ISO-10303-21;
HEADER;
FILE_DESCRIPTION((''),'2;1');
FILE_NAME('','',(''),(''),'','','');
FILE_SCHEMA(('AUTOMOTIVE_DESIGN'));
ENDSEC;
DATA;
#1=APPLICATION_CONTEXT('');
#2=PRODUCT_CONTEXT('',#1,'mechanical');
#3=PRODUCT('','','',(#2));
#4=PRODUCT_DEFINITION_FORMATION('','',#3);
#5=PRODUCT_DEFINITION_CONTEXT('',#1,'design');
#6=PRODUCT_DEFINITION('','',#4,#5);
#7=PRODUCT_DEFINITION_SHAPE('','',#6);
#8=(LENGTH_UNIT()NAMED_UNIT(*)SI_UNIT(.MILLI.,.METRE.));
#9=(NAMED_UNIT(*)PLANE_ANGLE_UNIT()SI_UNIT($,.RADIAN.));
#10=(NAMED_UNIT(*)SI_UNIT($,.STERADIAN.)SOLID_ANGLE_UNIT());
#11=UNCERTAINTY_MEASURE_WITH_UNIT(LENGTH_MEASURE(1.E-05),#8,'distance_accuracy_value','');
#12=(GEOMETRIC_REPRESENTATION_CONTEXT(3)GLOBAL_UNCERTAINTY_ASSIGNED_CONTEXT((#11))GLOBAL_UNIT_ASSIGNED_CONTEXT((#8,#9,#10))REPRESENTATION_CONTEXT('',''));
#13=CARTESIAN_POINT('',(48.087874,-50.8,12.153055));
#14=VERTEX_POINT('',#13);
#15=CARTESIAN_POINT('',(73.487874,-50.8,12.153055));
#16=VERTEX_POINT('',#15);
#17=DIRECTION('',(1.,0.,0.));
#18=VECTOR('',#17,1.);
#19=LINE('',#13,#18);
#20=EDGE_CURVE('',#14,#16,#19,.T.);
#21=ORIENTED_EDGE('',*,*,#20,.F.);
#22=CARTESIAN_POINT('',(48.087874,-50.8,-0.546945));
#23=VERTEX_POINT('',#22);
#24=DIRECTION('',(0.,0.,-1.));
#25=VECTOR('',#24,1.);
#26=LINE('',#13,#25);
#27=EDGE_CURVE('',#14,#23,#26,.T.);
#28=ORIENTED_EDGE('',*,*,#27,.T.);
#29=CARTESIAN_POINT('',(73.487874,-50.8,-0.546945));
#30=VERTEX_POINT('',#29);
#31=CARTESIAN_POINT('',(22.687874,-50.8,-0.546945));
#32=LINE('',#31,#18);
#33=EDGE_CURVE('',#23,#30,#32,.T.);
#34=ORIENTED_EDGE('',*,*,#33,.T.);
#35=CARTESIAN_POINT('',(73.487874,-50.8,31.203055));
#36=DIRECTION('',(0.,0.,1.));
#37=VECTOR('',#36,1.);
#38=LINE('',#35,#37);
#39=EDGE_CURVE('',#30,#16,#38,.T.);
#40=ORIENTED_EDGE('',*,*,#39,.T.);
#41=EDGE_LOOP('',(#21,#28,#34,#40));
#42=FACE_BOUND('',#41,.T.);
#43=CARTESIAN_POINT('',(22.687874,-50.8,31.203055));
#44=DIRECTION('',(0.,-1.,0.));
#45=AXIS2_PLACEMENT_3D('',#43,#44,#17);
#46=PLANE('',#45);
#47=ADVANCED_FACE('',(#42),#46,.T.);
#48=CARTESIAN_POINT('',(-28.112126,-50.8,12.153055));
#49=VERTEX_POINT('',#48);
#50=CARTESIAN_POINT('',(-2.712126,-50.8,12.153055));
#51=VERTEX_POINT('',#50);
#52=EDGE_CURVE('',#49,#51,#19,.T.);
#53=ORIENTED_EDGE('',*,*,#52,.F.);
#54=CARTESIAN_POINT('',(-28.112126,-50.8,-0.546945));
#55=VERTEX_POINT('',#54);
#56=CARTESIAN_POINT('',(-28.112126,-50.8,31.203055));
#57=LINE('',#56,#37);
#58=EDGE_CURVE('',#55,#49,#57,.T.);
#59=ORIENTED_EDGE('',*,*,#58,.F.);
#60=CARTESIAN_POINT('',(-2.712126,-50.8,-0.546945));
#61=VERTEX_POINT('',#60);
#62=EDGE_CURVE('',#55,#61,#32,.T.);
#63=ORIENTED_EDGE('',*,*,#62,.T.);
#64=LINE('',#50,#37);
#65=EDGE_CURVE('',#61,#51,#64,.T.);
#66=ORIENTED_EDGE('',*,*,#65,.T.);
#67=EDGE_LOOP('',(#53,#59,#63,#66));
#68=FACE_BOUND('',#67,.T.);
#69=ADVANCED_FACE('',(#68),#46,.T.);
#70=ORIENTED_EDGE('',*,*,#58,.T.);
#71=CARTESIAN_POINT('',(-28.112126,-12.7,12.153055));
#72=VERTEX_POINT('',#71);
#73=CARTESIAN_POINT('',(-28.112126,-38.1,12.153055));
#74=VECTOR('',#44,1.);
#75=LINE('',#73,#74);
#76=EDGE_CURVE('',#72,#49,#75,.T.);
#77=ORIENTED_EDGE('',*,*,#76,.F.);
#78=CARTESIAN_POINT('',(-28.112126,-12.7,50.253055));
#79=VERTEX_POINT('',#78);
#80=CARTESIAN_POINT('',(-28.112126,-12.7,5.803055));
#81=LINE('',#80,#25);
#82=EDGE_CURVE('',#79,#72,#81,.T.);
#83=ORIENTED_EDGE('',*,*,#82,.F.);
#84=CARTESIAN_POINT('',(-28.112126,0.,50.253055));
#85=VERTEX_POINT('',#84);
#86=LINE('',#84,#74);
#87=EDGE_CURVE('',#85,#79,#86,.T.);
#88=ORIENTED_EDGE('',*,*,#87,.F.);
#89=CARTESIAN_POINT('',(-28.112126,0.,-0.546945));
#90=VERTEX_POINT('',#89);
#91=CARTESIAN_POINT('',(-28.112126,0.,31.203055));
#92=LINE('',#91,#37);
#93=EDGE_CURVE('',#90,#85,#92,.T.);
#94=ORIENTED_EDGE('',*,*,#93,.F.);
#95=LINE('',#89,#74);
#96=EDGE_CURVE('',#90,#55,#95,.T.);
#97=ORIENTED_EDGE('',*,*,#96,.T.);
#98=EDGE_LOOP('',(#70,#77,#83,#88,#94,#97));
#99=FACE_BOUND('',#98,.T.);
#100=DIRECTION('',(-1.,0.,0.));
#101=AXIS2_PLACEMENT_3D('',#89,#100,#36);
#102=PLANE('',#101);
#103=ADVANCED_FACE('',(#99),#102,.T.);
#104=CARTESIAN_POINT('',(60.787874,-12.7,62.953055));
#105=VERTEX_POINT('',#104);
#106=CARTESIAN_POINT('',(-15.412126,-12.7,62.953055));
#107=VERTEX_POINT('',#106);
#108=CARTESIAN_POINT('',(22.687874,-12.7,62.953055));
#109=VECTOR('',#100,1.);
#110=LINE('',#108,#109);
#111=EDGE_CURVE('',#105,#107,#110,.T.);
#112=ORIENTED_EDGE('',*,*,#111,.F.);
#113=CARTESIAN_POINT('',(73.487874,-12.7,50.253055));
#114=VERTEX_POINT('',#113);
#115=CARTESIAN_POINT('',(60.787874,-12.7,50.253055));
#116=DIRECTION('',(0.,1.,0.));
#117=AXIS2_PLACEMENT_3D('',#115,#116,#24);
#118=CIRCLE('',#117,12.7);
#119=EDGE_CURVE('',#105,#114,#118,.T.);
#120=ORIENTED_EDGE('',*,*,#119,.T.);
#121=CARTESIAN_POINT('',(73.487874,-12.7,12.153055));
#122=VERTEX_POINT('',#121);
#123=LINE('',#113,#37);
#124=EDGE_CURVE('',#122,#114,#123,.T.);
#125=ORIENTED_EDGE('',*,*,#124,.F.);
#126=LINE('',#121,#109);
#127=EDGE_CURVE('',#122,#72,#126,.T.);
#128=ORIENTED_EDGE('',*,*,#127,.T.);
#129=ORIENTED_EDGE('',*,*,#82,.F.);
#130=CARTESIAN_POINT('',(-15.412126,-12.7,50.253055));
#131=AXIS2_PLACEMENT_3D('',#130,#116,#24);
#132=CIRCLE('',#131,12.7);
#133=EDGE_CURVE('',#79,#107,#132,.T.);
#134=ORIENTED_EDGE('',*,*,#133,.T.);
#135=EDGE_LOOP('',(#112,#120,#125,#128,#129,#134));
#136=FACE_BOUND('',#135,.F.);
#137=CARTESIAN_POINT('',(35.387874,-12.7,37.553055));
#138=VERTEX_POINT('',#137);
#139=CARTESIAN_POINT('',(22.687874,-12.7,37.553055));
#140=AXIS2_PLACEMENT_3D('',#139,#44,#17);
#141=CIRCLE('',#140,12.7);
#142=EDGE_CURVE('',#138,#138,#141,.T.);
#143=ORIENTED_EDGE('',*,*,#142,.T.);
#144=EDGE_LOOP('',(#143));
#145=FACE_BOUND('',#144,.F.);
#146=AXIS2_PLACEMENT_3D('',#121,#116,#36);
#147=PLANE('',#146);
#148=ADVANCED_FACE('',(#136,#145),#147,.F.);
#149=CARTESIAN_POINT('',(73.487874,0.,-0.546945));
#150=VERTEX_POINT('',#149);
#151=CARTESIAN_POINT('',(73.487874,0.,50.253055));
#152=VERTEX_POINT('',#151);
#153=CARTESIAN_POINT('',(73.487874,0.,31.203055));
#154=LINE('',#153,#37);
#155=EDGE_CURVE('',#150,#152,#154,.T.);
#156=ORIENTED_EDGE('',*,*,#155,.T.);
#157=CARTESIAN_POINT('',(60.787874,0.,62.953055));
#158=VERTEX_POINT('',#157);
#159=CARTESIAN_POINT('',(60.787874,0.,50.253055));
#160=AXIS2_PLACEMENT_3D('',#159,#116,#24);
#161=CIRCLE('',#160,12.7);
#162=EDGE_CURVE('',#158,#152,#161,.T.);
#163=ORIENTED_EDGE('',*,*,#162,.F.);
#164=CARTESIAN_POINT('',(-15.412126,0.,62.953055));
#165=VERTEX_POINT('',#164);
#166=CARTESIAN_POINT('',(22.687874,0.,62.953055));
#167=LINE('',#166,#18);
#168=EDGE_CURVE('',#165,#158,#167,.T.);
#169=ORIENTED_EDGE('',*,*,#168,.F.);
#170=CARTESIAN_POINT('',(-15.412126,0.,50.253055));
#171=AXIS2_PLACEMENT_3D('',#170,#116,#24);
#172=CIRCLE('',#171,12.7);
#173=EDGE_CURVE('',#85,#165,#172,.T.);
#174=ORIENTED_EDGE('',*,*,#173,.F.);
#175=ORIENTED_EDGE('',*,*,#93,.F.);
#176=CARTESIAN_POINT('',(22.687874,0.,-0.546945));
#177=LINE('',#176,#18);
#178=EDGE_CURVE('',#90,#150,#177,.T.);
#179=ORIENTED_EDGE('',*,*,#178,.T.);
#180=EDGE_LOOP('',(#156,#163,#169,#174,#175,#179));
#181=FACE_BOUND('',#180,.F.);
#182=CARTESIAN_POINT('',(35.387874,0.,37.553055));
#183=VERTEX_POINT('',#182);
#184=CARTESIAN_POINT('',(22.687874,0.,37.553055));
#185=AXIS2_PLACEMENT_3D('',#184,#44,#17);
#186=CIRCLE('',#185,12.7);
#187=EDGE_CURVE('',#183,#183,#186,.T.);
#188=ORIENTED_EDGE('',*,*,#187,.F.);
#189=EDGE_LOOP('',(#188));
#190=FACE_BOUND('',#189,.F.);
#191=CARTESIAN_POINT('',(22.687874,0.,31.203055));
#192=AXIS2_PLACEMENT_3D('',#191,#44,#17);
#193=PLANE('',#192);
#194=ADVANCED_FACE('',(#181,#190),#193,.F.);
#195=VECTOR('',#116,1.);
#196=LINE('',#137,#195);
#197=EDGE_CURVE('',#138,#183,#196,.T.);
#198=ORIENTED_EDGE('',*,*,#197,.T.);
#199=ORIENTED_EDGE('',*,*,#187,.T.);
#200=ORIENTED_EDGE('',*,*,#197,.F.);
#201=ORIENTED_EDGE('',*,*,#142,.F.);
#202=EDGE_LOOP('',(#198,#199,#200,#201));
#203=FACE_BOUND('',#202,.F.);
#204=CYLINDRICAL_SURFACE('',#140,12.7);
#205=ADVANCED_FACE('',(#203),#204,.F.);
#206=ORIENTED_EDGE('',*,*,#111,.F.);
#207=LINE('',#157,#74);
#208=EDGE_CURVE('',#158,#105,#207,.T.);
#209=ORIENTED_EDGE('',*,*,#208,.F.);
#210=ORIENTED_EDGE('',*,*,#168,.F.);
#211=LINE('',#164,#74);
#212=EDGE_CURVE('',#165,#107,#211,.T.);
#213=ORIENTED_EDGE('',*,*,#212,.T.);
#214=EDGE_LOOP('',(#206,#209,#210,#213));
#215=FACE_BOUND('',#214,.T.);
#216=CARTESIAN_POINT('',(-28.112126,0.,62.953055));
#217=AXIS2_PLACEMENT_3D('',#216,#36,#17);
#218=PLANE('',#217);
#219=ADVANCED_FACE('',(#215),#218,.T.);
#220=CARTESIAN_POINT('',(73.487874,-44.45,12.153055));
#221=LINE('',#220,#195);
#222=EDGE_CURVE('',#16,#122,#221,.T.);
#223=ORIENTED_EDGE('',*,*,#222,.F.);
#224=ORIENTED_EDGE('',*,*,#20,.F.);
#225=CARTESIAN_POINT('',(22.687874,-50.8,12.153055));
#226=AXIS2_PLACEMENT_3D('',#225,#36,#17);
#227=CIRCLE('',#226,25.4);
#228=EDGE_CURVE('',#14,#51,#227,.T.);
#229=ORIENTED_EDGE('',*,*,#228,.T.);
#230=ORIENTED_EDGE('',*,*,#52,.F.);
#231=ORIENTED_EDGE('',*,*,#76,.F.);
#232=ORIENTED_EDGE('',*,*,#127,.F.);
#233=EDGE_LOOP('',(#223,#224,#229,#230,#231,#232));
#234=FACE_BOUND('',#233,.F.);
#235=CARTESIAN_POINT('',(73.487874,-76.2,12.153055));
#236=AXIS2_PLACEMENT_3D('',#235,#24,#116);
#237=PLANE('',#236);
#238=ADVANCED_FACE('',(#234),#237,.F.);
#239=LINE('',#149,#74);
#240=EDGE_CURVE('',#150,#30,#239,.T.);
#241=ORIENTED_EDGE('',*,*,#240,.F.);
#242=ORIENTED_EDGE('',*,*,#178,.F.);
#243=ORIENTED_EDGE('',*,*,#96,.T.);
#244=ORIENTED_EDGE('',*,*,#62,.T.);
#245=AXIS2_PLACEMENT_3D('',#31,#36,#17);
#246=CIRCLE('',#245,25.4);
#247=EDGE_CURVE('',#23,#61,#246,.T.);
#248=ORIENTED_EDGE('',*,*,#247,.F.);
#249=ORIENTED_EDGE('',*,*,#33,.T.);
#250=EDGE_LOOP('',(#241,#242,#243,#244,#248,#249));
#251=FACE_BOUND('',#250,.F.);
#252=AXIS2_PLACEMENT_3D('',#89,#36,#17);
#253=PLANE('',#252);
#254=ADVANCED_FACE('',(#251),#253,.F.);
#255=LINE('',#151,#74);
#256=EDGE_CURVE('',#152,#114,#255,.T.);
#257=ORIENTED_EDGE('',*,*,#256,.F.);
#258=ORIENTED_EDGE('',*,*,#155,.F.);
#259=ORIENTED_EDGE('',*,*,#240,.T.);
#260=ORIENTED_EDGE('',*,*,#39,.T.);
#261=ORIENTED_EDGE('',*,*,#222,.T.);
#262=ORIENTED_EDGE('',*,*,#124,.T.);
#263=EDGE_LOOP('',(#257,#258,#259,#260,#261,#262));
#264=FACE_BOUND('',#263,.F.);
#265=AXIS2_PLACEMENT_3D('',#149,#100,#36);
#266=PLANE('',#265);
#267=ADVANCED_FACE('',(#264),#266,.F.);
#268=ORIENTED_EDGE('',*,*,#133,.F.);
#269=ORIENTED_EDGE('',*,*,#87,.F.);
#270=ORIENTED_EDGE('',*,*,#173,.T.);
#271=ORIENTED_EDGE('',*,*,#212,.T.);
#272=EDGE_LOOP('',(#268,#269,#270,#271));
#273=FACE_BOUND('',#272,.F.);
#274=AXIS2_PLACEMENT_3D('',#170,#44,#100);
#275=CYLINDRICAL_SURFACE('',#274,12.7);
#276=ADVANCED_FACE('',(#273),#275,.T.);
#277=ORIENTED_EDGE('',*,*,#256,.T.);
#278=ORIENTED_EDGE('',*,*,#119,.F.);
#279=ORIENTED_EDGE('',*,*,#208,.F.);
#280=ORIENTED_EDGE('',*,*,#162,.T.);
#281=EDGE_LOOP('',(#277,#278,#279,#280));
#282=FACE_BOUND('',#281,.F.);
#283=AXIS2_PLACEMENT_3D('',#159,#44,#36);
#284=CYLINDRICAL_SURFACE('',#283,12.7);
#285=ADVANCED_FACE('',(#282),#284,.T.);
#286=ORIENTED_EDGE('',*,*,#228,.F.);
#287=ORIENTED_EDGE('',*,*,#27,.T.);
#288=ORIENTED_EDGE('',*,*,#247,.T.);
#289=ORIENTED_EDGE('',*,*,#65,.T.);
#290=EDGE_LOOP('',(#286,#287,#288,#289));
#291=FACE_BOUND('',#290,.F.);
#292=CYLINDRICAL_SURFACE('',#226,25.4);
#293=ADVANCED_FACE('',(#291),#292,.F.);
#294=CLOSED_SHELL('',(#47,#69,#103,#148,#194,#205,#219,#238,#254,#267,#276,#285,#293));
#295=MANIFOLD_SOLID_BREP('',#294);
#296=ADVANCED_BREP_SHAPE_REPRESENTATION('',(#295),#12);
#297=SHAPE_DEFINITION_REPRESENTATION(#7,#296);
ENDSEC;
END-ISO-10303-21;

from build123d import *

# Parameters (mm, degrees)
F0_W     = 101.6
F0_H     = 63.5
F1_DEPTH = 50.8
F2_W     = 63.5
F2_H     = 76.2
F3_DEPTH = 101.601
F4_R     = 12.7
F5_DEPTH = 12.701
F6_R     = 25.4
F7_DEPTH = 12.701
F8_R     = 12.7


with BuildPart() as f1:
    # F0 (on Front) → F1 (new body)
    with BuildSketch(Plane.XZ):
        with Locations((22.687874, 31.203055)):
            Rectangle(F0_W, F0_H)
    extrude(amount=F1_DEPTH)

    # F2 (on face) → F3 (cut, through all)
    with BuildSketch(Plane.YZ.offset(73.487874)):
        with Locations((-44.45, 50.253055)):
            Rectangle(F2_W, F2_H)
    extrude(amount=-F3_DEPTH, mode=Mode.SUBTRACT)

    # F4 (on face) → F5 (cut, through all)
    with BuildSketch(Plane.XZ.offset(12.7)):
        with Locations((22.687874, 37.553055)):
            Circle(F4_R)
    extrude(amount=-F5_DEPTH, mode=Mode.SUBTRACT)

    # F6 (on face) → F7 (cut, through all)
    with BuildSketch(Plane.XY.offset(12.153055)):
        with Locations((22.687874, -50.8)):
            Circle(F6_R)
    extrude(amount=-F7_DEPTH, mode=Mode.SUBTRACT)

    # F8
    f8_edges = [f1.edges().sort_by_distance(p)[0] for p in [
        (-28.112126, -6.35, 62.953055),
        (73.487874, -6.35, 62.953055),
    ]]
    fillet(f8_edges, radius=F8_R)


solid = f1.part
